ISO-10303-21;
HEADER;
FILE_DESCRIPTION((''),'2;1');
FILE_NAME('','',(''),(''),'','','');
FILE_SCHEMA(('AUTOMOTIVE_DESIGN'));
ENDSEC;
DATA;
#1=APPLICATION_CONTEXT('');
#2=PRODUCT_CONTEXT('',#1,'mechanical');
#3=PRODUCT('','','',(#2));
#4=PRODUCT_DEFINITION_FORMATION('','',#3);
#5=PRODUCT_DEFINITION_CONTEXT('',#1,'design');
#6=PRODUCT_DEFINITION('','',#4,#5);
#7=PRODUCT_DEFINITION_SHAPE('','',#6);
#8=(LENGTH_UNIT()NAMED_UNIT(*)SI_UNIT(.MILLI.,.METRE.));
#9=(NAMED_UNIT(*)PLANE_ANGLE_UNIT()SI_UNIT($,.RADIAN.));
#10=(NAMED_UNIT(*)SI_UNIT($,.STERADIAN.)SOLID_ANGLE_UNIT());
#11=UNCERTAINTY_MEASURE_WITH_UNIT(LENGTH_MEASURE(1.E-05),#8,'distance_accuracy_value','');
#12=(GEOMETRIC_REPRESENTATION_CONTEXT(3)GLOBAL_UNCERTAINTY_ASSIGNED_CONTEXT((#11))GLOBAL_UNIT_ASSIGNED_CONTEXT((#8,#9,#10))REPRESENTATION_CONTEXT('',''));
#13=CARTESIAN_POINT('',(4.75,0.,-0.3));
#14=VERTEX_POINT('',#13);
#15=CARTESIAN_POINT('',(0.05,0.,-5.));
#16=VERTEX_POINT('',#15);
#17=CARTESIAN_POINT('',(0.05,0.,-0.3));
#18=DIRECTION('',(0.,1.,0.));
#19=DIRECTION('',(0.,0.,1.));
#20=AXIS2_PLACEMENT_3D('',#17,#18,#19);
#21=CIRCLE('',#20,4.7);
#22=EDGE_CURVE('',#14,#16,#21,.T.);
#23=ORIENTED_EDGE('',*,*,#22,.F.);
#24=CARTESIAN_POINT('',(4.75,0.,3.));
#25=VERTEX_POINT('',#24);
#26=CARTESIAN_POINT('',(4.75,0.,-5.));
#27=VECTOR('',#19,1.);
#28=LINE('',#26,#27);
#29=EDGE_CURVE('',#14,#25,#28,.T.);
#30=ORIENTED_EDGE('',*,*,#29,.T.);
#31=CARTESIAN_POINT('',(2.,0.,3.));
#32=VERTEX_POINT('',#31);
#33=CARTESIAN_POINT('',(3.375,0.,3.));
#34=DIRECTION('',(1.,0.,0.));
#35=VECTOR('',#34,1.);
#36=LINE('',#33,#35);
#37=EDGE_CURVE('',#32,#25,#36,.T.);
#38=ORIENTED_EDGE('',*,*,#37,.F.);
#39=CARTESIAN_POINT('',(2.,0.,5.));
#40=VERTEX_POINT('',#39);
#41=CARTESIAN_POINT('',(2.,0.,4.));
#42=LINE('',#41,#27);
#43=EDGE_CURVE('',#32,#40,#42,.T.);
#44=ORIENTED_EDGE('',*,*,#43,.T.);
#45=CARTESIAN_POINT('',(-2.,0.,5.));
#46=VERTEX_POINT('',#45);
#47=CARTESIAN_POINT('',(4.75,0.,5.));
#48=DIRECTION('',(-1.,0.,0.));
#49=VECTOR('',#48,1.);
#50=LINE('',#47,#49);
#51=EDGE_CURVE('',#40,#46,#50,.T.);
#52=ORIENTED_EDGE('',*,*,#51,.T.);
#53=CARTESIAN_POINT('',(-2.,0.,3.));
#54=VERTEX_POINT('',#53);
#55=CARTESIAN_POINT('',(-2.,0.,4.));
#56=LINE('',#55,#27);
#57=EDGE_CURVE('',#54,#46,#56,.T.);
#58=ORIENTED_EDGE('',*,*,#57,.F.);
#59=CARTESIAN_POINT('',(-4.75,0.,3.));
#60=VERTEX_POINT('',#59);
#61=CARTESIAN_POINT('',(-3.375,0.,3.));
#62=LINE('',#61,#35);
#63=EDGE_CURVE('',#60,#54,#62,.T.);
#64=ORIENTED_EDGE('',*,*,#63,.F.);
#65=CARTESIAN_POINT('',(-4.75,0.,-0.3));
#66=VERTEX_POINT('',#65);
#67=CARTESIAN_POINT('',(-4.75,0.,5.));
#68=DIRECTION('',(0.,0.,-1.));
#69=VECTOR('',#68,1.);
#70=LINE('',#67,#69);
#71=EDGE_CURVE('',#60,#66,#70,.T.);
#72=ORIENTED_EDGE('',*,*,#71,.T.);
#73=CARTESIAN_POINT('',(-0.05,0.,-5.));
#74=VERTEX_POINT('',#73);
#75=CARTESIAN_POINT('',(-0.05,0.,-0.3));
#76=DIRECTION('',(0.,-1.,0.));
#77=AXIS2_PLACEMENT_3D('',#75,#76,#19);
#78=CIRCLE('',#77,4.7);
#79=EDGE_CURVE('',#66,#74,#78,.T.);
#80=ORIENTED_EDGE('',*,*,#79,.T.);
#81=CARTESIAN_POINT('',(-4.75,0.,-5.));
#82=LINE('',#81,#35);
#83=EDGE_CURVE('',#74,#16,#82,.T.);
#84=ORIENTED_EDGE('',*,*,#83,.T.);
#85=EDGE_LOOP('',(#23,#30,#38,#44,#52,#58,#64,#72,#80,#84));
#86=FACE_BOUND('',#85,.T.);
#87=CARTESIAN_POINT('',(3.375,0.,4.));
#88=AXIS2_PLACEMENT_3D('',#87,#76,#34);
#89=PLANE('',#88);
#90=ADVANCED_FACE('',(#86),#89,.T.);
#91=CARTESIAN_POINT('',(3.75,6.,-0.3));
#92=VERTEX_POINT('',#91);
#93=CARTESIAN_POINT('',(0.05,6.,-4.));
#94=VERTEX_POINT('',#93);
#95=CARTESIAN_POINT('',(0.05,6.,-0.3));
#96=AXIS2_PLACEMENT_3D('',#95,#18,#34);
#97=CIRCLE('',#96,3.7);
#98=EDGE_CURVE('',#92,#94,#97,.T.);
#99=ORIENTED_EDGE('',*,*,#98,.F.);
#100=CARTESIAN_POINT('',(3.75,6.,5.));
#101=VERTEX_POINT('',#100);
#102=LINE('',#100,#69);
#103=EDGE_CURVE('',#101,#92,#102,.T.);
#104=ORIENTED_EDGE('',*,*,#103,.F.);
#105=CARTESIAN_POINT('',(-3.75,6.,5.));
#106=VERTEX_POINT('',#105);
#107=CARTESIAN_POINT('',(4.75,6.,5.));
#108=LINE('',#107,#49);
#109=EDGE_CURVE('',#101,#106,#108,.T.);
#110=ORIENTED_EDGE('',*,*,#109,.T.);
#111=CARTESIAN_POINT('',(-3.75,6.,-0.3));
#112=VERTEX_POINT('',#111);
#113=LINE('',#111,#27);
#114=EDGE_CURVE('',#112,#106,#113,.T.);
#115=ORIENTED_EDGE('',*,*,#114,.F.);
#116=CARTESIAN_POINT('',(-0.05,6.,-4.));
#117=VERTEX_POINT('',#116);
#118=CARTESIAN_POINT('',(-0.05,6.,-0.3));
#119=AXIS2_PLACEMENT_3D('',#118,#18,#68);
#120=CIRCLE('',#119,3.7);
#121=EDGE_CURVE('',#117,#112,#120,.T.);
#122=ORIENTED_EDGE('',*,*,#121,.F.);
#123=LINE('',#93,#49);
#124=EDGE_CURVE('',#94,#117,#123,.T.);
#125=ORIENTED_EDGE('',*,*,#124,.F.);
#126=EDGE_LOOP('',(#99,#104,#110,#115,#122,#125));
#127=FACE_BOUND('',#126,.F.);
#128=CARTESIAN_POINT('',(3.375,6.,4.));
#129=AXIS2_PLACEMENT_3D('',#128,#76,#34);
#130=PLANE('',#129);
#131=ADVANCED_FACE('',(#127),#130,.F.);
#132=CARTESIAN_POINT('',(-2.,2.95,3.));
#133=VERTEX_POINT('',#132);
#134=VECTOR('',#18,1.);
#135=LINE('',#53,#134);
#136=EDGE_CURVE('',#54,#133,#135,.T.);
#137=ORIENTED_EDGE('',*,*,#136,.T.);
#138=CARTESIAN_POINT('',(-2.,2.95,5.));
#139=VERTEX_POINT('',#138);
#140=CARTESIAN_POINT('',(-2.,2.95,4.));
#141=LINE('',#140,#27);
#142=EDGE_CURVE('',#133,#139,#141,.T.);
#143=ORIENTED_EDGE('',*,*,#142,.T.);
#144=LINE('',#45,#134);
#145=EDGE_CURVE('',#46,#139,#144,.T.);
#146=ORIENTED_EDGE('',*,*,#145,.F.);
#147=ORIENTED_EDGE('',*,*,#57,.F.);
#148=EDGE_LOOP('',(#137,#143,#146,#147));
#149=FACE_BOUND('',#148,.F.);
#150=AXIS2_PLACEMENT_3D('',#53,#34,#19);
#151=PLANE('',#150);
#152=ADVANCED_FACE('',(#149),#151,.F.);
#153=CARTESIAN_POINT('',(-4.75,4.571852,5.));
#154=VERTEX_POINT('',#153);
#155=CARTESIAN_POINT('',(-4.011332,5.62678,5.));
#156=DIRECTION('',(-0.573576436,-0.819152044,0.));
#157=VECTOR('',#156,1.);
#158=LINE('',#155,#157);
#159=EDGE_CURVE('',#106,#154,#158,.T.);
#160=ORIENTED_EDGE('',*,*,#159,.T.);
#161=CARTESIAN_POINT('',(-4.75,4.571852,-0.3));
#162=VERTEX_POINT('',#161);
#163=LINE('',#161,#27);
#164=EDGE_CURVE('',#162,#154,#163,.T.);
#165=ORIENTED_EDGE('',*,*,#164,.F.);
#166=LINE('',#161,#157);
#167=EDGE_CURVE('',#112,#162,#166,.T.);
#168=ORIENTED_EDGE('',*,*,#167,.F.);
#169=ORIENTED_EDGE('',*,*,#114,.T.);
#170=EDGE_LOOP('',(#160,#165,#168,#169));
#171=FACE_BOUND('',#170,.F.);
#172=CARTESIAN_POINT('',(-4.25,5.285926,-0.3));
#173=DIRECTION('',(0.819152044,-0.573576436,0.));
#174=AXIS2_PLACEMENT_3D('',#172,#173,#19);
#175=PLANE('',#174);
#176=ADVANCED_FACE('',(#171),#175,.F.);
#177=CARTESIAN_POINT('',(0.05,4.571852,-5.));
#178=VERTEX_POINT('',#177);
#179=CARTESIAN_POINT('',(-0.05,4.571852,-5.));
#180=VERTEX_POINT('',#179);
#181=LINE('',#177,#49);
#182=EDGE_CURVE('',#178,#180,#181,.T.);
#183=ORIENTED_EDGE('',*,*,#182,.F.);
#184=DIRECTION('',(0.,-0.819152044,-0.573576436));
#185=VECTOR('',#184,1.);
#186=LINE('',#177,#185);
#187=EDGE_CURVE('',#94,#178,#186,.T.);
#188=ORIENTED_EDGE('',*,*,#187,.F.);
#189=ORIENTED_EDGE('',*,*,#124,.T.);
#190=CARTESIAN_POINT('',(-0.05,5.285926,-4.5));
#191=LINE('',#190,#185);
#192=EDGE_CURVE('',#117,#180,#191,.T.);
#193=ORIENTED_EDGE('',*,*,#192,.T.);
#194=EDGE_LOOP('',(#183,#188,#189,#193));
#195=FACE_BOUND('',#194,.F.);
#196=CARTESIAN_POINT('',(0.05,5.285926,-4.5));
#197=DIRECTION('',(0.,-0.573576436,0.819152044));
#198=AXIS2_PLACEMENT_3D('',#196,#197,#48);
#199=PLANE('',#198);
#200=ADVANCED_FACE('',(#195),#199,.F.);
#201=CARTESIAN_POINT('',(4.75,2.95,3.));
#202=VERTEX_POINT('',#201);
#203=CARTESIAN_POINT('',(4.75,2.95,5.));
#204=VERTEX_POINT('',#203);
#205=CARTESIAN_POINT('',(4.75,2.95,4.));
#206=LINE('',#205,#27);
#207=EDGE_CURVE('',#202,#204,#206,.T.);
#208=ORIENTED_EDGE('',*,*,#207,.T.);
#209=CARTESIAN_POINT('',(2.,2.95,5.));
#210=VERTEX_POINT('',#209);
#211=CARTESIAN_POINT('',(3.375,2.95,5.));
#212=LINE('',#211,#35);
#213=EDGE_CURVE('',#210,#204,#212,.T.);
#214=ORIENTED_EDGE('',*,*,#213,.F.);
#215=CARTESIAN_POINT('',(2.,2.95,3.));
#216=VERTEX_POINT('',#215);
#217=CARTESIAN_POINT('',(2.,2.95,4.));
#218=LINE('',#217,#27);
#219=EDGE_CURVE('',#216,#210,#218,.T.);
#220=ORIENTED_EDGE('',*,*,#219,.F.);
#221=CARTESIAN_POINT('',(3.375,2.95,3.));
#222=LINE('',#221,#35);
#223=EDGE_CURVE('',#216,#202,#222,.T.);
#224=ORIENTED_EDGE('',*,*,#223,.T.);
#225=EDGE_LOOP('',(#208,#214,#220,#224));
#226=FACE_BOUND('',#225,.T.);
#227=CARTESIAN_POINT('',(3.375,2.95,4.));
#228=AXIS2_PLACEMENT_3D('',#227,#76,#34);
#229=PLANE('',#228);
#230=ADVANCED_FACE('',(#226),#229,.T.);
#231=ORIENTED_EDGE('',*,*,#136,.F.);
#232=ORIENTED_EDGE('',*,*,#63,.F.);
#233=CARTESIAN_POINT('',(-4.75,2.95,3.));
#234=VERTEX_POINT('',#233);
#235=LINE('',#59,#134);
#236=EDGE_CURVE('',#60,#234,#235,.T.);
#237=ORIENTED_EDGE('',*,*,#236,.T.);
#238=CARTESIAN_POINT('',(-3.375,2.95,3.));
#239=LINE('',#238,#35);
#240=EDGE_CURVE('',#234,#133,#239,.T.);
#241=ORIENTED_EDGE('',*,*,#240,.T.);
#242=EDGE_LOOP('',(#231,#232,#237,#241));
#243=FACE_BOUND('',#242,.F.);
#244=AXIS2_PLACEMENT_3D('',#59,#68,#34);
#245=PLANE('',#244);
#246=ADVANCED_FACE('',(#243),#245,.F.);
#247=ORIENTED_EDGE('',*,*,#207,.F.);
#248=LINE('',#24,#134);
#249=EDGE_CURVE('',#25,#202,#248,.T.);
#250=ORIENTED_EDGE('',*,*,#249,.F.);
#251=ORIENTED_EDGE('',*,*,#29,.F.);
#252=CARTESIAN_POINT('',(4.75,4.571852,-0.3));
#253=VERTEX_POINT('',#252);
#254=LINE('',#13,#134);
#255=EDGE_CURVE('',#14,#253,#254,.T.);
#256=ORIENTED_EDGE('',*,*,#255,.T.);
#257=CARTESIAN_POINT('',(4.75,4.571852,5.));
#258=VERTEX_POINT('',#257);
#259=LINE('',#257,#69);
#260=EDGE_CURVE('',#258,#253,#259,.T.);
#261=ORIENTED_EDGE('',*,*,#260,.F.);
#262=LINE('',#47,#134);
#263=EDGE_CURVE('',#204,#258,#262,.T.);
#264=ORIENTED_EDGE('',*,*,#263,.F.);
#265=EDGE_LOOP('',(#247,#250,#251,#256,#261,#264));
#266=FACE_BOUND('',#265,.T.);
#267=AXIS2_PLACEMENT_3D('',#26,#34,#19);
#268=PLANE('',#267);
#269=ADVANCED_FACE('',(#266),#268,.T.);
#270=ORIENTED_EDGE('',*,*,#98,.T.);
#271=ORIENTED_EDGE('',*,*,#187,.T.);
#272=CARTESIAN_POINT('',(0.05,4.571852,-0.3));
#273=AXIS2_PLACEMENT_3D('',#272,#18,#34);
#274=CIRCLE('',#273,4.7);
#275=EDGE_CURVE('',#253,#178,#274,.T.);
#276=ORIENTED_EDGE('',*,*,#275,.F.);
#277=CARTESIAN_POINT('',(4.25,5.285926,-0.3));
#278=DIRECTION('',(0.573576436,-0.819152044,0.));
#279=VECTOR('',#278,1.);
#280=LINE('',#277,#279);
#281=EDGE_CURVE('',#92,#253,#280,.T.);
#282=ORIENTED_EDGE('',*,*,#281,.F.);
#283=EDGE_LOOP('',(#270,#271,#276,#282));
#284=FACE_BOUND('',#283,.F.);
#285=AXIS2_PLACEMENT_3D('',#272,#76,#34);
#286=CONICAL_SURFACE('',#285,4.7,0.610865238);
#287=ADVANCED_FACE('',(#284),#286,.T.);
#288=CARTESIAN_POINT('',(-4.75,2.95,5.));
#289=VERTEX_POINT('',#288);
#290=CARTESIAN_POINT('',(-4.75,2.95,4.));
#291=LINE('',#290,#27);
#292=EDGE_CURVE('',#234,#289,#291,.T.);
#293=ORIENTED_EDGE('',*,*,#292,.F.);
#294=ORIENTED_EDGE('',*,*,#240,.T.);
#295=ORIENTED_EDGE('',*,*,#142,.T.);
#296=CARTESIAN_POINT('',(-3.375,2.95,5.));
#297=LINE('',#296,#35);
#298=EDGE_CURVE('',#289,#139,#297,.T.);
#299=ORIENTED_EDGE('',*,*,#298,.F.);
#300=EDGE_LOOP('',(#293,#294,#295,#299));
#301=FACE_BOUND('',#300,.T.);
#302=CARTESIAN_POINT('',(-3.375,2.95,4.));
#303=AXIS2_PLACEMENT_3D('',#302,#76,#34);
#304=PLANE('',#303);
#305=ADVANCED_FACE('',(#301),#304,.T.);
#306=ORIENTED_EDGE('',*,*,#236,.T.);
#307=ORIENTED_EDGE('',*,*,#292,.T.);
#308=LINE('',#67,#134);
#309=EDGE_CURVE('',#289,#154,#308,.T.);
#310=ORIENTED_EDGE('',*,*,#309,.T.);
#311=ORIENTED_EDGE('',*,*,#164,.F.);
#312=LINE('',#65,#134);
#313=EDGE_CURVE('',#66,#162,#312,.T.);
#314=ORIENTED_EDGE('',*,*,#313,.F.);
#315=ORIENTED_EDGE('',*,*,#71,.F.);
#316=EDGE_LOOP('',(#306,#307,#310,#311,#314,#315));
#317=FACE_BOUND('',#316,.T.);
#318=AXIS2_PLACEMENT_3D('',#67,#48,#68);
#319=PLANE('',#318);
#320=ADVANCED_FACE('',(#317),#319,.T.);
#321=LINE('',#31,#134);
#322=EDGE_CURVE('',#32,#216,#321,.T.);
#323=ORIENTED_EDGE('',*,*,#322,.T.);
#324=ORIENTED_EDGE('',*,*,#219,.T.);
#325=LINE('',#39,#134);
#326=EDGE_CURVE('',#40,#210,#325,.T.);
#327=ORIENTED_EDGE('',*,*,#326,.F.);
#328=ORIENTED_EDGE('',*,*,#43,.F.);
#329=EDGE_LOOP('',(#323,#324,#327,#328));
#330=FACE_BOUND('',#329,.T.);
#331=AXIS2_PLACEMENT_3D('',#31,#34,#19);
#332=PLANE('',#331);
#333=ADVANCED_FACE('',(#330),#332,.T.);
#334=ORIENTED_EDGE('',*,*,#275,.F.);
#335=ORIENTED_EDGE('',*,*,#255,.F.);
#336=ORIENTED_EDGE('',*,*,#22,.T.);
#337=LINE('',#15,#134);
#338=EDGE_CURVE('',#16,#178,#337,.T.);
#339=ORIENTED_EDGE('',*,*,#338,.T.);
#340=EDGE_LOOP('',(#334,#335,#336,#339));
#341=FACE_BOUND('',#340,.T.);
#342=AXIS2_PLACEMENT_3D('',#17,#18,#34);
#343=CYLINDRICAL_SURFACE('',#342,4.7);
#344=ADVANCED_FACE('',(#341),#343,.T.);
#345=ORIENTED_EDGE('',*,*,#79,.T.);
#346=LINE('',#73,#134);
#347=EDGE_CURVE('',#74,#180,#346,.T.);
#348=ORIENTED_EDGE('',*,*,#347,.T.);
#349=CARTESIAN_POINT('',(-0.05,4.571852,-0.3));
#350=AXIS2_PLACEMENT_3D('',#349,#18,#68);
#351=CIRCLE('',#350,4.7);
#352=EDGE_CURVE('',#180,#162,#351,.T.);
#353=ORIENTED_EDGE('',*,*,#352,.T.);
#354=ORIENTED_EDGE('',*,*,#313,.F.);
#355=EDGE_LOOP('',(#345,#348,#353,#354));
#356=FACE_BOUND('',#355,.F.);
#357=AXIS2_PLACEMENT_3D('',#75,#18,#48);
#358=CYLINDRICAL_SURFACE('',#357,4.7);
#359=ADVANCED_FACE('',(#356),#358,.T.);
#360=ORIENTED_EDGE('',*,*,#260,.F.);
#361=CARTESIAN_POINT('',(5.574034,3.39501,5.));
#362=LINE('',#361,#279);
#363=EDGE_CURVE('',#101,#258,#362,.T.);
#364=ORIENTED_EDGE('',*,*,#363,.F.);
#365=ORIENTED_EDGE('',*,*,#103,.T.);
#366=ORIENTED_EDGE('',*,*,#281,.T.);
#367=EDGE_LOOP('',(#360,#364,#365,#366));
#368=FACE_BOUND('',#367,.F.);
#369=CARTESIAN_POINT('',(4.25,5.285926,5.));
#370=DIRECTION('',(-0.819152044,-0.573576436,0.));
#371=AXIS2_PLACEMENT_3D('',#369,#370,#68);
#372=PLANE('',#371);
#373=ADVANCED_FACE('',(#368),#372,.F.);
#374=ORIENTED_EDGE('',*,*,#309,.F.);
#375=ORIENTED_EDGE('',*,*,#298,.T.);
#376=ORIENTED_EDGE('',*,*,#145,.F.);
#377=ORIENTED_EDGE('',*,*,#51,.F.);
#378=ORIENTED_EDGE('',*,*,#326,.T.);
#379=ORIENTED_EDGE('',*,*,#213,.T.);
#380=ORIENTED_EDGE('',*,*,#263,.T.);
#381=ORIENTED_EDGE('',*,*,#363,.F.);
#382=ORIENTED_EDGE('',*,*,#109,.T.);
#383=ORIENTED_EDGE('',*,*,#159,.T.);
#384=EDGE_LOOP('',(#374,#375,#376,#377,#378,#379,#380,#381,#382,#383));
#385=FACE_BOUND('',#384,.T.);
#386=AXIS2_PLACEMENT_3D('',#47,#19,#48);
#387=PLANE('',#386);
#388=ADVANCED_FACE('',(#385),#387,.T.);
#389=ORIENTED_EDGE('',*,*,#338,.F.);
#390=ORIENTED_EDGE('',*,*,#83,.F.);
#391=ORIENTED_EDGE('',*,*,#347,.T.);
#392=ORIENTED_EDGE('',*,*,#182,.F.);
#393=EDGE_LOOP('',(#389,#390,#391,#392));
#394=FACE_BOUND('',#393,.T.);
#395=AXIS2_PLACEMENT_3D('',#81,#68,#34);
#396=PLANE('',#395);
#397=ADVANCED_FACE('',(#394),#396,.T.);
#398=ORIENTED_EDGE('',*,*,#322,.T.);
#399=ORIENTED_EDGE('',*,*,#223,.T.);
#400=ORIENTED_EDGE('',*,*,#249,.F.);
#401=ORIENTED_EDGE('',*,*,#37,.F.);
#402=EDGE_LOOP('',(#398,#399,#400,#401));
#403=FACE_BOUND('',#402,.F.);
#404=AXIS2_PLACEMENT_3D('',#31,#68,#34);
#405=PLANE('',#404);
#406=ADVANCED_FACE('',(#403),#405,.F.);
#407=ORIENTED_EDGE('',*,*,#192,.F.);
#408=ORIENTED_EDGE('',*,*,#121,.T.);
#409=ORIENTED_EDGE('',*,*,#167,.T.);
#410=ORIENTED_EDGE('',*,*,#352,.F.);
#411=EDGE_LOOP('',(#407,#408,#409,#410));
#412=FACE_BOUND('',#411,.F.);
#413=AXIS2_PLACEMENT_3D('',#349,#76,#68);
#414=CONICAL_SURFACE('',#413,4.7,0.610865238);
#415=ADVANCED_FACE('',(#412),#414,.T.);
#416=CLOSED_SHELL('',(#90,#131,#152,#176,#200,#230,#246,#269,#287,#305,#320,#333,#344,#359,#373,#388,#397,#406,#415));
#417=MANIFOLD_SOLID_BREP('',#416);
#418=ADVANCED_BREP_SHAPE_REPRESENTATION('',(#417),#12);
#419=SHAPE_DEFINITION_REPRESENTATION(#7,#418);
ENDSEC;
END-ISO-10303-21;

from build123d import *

# Parameters (mm, degrees)
F0_W     = 2.75
F0_H     = 2
F1_DEPTH = 6
F2_DEPTH = 2.95
F3_R     = 4.7
F4_SIZE2 = 1.4281480067
F4_SIZE  = 1


with BuildPart() as f1:
    # F0 (on Front) → F1 (new body)
    with BuildSketch(Plane.XZ):
        with Locations((3.375, 4)):
            Rectangle(F0_W, F0_H)
        Polygon((2, 3), (2, 5), (0, 5), (-2, 5), (-2, 3), align=None)
        Polygon((4.75, -5), (4.75, 3), (2, 3), (-2, 3), (-4.75, 3), (-4.75, -5), align=None)
        with Locations((-3.375, 4)):
            Rectangle(F0_W, F0_H)
    extrude(amount=-F1_DEPTH)

    # F0 (on Front) → F2 (cut)
    with BuildSketch(Plane.XZ):
        with Locations((-3.375, 4)):
            Rectangle(F0_W, F0_H)
        with Locations((3.375, 4)):
            Rectangle(F0_W, F0_H)
    extrude(amount=-F2_DEPTH, mode=Mode.SUBTRACT)

    # F3
    f3_edges = [f1.edges().sort_by_distance(p)[0] for p in [
        (-4.75, 3, -5),
        (4.75, 3, -5),
    ]]
    fillet(f3_edges, radius=F3_R)

    # F4
    f4_edges = [f1.edges().sort_by_distance(p)[0] for p in [
        (3.373402, 6, -3.623402),
        (-3.373402, 6, -3.623402),
        (0, 6, -5),
    ]]
    f4_side = f1.faces().sort_by_distance((0, 6, 0.437938))[0]
    chamfer(f4_edges, length=F4_SIZE, length2=F4_SIZE2, reference=f4_side)


solid = f1.part
